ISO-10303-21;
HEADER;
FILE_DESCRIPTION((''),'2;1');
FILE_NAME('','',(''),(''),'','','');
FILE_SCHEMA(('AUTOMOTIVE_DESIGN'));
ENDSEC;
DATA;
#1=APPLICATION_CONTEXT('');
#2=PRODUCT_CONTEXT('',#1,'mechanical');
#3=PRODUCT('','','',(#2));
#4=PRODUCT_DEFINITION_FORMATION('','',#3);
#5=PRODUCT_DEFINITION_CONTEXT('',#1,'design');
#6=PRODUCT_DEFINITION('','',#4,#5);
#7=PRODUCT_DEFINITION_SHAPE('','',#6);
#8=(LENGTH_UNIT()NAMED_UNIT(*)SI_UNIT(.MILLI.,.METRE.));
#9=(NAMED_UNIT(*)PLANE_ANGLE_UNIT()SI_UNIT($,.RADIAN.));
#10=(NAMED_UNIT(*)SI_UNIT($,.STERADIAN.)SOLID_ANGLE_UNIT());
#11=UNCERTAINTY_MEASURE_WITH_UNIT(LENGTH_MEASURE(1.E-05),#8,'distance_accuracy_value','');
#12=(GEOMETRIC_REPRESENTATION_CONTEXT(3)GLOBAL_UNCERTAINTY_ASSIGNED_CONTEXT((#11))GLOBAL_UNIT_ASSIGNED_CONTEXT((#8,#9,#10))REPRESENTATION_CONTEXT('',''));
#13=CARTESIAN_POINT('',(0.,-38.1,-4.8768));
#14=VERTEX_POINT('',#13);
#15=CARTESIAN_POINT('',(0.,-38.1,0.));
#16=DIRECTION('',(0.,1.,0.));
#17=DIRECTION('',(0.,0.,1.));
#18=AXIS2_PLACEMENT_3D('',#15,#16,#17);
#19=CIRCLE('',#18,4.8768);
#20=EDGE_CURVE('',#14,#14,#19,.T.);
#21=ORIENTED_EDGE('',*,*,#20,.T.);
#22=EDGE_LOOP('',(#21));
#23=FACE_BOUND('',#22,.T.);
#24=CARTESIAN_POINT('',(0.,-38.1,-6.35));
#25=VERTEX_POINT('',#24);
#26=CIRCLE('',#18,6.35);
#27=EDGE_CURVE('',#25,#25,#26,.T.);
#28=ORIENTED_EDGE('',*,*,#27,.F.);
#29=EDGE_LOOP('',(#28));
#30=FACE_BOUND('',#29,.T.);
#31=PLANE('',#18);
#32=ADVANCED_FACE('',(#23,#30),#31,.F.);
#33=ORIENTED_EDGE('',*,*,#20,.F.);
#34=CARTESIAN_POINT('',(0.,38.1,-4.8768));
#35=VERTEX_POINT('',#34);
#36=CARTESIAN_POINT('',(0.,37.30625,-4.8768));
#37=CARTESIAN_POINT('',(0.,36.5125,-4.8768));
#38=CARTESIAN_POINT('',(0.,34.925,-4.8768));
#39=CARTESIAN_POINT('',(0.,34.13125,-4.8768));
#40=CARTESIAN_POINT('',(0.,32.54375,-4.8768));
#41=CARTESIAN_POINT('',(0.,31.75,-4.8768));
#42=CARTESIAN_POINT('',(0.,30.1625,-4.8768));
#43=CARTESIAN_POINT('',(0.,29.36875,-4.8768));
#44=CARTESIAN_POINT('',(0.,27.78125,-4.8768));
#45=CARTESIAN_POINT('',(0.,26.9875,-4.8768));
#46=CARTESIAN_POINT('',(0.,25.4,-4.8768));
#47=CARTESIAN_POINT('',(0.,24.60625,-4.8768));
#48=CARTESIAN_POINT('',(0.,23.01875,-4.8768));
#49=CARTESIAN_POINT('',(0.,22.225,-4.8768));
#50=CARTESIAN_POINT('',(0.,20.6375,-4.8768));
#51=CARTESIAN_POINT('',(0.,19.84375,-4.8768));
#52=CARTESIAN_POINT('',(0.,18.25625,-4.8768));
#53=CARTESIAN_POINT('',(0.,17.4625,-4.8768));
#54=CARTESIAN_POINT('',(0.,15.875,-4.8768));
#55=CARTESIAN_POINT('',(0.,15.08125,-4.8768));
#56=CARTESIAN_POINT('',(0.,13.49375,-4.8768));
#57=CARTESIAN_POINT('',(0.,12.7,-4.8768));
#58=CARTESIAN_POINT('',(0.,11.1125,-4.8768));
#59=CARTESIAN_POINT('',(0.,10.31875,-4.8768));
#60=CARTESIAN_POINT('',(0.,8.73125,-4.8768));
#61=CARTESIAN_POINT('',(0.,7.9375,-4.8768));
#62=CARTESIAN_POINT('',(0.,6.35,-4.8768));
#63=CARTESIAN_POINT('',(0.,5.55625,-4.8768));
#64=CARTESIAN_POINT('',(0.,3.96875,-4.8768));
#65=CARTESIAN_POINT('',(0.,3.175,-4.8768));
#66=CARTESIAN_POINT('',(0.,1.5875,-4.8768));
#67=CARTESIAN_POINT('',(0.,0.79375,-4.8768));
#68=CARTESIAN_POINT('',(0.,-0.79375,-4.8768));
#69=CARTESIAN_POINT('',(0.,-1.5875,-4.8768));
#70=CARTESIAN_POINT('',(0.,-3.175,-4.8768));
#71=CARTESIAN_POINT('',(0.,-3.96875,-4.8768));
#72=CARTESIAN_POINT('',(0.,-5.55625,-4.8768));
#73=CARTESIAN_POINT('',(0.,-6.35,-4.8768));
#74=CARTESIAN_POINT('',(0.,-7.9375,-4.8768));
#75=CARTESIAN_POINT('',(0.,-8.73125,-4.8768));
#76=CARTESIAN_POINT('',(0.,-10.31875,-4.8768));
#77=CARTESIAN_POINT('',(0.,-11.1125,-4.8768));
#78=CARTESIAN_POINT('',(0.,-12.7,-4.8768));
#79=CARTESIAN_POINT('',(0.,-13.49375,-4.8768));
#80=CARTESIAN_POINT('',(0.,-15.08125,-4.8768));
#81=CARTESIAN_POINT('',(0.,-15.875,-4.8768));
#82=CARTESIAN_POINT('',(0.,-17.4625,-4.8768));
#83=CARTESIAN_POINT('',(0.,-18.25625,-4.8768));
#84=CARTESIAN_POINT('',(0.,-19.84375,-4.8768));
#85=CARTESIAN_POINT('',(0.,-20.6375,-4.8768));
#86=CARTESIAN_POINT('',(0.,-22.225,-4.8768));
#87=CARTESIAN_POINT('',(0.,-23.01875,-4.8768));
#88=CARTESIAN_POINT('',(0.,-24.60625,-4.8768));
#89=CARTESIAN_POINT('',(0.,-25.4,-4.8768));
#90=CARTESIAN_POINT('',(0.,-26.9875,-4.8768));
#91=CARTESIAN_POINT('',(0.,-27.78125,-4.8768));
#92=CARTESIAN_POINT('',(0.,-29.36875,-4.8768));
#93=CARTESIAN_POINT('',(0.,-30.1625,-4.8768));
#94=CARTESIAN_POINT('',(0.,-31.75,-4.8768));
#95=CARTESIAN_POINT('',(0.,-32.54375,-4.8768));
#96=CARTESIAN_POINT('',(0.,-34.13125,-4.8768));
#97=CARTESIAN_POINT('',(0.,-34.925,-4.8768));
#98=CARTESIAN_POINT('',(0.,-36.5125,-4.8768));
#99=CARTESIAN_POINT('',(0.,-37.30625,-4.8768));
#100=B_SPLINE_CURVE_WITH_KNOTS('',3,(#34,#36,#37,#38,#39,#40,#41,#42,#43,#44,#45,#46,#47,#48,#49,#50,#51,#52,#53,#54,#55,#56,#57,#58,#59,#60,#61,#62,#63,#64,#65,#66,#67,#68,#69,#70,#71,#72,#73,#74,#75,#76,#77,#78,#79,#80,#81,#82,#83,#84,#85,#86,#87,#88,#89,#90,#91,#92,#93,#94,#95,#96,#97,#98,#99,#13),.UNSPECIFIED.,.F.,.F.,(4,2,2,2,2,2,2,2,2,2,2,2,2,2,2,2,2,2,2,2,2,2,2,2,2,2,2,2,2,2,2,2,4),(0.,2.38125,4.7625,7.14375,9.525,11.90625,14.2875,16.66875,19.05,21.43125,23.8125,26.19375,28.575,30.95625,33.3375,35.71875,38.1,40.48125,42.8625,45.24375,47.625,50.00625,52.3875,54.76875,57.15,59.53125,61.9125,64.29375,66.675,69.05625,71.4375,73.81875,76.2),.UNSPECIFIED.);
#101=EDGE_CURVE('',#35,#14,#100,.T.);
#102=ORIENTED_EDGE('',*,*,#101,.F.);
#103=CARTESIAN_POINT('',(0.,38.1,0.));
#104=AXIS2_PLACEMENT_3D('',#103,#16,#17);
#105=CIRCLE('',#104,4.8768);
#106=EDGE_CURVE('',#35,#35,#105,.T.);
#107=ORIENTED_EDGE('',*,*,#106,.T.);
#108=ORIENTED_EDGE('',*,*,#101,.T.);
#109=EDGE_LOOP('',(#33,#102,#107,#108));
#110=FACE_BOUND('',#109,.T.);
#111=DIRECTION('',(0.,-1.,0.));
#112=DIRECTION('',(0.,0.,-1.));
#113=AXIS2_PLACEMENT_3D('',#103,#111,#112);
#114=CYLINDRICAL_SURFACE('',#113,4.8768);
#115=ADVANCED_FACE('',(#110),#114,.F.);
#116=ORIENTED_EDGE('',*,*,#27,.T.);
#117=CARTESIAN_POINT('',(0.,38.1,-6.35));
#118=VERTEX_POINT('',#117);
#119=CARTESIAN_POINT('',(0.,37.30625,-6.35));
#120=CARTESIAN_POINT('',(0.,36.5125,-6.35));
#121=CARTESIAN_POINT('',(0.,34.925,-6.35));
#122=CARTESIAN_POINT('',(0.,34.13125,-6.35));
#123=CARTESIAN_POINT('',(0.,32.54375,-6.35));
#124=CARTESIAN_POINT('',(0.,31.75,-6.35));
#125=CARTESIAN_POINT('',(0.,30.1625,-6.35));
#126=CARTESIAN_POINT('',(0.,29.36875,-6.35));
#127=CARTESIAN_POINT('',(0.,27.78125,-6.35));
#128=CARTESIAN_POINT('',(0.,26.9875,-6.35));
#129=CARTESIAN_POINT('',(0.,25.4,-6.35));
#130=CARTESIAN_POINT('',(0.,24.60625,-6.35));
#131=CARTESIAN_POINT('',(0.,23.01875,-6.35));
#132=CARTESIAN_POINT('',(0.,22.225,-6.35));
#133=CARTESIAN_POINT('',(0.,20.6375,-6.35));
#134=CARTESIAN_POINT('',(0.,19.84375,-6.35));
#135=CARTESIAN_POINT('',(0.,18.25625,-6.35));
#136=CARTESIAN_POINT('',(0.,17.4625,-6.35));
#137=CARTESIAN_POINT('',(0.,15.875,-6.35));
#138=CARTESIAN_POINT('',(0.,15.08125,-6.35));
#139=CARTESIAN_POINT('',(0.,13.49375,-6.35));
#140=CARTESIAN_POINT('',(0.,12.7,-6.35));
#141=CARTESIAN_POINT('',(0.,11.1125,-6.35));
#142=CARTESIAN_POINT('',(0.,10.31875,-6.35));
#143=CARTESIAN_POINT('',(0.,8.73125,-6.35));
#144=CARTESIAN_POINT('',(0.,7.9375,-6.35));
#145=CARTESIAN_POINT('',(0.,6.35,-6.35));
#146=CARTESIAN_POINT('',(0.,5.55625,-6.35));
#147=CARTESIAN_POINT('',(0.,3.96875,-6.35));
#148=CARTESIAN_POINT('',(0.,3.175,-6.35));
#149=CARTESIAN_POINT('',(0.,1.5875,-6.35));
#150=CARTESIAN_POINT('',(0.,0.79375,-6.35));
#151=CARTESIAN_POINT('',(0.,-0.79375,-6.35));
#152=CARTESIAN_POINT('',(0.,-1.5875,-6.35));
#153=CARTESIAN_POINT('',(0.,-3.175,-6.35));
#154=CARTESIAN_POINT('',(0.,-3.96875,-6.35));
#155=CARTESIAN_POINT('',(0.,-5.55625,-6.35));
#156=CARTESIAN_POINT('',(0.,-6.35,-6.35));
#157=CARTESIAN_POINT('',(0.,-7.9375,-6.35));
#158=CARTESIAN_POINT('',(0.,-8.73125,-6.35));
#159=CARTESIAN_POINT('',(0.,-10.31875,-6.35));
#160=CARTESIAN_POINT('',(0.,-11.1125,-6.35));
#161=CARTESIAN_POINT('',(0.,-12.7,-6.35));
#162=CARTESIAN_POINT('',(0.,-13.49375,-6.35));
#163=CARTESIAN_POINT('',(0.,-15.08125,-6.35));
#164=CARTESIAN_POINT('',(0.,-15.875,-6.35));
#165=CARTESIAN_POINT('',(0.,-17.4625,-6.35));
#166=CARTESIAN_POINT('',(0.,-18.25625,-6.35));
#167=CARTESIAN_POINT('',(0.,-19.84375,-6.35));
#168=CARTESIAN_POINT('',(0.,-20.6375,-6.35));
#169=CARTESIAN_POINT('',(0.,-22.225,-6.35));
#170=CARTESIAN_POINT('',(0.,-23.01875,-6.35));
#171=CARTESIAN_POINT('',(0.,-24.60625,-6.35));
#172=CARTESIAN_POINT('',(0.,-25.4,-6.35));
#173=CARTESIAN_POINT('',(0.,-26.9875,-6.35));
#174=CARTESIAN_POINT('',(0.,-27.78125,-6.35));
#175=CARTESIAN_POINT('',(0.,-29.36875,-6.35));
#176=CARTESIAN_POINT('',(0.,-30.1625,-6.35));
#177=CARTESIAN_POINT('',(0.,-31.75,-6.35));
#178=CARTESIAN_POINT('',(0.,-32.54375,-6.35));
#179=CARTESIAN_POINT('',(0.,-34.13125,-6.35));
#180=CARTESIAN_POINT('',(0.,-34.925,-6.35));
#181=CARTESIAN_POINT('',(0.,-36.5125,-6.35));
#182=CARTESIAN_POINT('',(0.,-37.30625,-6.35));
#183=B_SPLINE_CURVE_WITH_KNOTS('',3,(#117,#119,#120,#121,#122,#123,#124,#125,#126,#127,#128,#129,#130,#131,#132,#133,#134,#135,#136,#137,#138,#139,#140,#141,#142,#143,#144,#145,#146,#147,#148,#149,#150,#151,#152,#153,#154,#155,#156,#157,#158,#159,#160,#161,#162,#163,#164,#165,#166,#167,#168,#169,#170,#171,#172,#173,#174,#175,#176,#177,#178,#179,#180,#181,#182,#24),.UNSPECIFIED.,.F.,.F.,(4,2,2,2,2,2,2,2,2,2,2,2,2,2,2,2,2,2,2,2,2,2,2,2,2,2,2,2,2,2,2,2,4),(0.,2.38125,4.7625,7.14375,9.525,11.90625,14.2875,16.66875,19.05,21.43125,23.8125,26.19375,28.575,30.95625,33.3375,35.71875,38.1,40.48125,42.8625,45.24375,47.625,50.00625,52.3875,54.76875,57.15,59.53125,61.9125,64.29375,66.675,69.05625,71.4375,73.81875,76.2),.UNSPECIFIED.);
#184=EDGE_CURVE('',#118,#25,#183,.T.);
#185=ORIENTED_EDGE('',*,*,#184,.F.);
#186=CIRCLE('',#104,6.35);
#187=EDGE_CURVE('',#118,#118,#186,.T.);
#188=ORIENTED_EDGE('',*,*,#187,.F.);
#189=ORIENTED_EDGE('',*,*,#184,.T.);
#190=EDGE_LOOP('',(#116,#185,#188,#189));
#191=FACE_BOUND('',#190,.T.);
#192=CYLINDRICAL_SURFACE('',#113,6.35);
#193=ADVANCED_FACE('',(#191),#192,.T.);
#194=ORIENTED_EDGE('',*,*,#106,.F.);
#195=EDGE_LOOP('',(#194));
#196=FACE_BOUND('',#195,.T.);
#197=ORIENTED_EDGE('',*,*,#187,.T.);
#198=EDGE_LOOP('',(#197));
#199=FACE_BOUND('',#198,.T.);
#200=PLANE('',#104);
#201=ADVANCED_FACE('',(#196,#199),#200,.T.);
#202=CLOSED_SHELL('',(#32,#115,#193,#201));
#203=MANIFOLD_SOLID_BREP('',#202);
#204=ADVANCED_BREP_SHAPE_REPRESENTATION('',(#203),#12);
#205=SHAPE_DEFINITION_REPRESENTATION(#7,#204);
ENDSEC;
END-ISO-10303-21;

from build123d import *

# Parameters (mm, degrees)
SKETCH2_R           = 6.35
SKETCH2_R_2         = 4.8768
BOSS_EXTRUDE1_DEPTH = 38.1


with BuildPart() as part:
    # Sketch2 → Boss-Extrude1 (new, symmetric)
    with BuildSketch(Plane(origin=(0, 0, 0), x_dir=(1, 0, 0), z_dir=(0, 1, 0))):
        with Locations(Location((0, 0, 0), (0, 0, 90))):
            Circle(SKETCH2_R)
        with Locations(Location((0, 0, 0), (0, 0, 90))):
            Circle(SKETCH2_R_2, mode=Mode.SUBTRACT)
    extrude(amount=BOSS_EXTRUDE1_DEPTH, both=True)


solid = part.part
